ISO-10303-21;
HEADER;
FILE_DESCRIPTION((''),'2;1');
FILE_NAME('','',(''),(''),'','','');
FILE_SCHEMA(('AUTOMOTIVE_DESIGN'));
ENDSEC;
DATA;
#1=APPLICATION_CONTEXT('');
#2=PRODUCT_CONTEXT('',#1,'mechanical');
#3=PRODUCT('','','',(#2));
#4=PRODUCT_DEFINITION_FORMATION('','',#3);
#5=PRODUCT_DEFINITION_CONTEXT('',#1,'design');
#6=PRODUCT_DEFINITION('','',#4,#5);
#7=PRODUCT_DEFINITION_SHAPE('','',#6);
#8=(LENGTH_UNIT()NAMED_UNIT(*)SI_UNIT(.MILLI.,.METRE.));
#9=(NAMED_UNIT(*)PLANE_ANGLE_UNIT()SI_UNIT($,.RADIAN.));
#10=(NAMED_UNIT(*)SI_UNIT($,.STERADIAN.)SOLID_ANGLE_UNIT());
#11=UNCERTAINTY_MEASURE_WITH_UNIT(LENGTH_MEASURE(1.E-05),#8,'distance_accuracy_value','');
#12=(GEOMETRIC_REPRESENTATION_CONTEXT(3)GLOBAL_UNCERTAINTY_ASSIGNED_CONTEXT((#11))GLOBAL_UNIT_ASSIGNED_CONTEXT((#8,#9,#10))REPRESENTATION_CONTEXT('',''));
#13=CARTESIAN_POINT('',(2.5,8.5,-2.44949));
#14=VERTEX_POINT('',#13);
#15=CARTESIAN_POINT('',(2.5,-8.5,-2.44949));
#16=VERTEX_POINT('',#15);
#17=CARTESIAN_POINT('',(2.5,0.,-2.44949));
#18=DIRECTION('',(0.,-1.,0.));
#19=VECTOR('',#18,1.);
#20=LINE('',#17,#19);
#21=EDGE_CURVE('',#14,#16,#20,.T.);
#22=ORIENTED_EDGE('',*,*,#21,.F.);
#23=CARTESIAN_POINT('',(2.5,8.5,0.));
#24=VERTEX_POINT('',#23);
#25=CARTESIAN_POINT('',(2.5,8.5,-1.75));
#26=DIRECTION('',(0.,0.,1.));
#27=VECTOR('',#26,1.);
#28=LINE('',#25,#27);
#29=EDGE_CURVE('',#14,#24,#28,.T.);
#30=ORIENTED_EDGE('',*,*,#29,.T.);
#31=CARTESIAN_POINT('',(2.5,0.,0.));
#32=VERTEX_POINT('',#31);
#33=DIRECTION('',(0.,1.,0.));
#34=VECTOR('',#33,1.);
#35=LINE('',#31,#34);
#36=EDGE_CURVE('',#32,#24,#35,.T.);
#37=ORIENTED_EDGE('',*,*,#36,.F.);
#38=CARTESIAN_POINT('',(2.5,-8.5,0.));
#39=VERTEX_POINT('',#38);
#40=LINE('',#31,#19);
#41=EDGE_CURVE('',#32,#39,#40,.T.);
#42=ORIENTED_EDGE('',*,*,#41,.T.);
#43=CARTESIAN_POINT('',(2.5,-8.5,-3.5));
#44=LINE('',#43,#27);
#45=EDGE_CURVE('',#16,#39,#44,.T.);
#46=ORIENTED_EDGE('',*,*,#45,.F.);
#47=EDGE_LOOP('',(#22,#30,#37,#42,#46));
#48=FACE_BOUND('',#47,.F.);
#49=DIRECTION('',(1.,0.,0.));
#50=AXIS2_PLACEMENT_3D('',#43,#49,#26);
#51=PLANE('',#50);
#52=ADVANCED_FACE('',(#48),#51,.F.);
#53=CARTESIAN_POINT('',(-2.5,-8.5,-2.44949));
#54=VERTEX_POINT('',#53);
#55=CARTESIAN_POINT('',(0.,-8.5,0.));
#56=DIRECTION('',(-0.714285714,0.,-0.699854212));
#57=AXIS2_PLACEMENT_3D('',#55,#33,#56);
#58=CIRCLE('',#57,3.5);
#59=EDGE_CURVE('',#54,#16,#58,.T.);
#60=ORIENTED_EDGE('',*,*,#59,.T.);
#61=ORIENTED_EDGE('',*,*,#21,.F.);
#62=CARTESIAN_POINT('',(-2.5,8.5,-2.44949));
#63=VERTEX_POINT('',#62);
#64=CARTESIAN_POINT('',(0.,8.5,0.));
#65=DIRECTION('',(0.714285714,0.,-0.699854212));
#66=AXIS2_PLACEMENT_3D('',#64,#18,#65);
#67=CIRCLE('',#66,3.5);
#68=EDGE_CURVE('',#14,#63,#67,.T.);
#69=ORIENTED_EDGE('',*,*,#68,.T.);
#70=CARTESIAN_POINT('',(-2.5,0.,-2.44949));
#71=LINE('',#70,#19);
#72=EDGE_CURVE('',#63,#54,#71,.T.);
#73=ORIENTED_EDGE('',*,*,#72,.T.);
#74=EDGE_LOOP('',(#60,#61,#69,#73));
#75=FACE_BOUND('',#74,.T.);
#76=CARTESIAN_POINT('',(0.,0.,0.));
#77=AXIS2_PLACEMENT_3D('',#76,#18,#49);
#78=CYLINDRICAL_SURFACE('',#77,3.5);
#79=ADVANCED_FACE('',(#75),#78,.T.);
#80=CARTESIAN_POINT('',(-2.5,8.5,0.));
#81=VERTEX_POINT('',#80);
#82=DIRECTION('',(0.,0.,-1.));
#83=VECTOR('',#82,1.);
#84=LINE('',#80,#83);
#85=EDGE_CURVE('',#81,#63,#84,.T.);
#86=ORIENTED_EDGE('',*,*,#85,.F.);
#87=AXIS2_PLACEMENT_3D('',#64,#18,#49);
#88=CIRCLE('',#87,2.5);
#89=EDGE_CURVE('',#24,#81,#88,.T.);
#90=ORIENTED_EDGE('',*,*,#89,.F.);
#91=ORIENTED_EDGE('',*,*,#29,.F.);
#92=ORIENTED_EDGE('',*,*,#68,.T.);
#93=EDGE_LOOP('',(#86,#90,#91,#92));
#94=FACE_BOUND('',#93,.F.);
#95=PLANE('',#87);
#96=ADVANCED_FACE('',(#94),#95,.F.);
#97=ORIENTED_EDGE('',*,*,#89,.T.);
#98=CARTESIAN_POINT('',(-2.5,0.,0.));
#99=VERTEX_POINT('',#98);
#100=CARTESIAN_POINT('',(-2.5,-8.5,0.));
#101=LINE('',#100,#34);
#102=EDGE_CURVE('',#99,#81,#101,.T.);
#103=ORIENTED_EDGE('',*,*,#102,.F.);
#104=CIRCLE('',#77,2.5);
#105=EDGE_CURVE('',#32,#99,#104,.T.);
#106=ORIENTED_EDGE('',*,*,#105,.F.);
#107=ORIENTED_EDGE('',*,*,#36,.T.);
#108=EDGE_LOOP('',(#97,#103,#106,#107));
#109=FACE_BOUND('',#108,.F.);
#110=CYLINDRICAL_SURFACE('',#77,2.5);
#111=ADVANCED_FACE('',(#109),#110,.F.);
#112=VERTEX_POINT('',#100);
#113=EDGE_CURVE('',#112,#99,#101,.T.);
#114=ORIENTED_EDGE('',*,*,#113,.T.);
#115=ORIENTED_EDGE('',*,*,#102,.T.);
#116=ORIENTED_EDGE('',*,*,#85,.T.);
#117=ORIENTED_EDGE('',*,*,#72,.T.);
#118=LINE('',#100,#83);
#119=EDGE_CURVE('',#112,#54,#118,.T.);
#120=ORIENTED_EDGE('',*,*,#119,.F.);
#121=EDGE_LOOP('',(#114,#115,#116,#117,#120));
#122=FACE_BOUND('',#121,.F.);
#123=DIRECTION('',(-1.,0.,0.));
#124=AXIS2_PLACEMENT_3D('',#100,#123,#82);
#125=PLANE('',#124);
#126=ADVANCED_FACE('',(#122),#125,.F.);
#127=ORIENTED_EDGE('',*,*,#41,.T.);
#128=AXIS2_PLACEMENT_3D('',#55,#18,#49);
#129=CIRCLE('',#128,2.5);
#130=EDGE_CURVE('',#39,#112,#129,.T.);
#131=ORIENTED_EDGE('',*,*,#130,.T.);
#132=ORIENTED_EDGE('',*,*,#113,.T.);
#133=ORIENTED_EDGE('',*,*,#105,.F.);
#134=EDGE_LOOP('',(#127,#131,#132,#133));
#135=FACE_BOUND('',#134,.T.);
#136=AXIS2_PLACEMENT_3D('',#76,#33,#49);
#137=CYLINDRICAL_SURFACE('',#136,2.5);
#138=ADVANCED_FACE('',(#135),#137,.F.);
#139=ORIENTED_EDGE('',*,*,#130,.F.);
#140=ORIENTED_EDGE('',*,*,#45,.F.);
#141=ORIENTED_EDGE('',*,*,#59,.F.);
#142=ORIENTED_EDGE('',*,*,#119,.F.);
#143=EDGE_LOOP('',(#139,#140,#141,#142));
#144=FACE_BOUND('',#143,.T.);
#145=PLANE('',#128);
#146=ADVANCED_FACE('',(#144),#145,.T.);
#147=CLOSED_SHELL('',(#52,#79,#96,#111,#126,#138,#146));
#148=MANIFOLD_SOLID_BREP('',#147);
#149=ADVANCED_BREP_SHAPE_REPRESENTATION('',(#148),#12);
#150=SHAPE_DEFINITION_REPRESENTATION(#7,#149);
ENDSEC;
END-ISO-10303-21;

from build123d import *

# Parameters (mm, degrees)
F0_R          = 3.5
F0_R_2        = 2.5
F1_DEPTH      = 8.5
F1_DEPTH_BACK = 8.5
F3_DEPTH      = 17.001


with BuildPart() as f1:
    # F0 (on Front) → F1 (new body, two sides)
    with BuildSketch(Plane.XZ) as f1_sk:
        Circle(F0_R)
        Circle(F0_R_2, mode=Mode.SUBTRACT)
    extrude(amount=F1_DEPTH)
    extrude(f1_sk.sketch, amount=-F1_DEPTH_BACK)

    # F2 (on face) → F3 (cut, through all)
    with BuildSketch(Plane.XZ.offset(8.5)):
        with BuildLine():
            Line((2.5, 0), (-2.5, 0))
            ThreePointArc((-2.5, 0), (0, -2.5), (2.5, 0))
        make_face()
        with BuildLine():
            ThreePointArc((0, -3.5), (-1.355874, -3.226702), (-2.5, -2.44949))
            Line((-2.5, -2.44949), (-2.5, -3.5))
            Line((-2.5, -3.5), (0, -3.5))
        make_face()
        with BuildLine():
            ThreePointArc((2.5, 0), (0, -2.5), (-2.5, 0))
            Line((-2.5, 0), (-2.5, -2.44949))
            ThreePointArc((-2.5, -2.44949), (-1.355874, -3.226702), (0, -3.5))
            ThreePointArc((0, -3.5), (1.355874, -3.226702), (2.5, -2.44949))
            Line((2.5, -2.44949), (2.5, 0))
        make_face()
        with BuildLine():
            Line((2.5, -3.5), (2.5, -2.44949))
            ThreePointArc((2.5, -2.44949), (1.355874, -3.226702), (0, -3.5))
            Line((0, -3.5), (2.5, -3.5))
        make_face()
    extrude(amount=-F3_DEPTH, mode=Mode.SUBTRACT)


solid = f1.part
